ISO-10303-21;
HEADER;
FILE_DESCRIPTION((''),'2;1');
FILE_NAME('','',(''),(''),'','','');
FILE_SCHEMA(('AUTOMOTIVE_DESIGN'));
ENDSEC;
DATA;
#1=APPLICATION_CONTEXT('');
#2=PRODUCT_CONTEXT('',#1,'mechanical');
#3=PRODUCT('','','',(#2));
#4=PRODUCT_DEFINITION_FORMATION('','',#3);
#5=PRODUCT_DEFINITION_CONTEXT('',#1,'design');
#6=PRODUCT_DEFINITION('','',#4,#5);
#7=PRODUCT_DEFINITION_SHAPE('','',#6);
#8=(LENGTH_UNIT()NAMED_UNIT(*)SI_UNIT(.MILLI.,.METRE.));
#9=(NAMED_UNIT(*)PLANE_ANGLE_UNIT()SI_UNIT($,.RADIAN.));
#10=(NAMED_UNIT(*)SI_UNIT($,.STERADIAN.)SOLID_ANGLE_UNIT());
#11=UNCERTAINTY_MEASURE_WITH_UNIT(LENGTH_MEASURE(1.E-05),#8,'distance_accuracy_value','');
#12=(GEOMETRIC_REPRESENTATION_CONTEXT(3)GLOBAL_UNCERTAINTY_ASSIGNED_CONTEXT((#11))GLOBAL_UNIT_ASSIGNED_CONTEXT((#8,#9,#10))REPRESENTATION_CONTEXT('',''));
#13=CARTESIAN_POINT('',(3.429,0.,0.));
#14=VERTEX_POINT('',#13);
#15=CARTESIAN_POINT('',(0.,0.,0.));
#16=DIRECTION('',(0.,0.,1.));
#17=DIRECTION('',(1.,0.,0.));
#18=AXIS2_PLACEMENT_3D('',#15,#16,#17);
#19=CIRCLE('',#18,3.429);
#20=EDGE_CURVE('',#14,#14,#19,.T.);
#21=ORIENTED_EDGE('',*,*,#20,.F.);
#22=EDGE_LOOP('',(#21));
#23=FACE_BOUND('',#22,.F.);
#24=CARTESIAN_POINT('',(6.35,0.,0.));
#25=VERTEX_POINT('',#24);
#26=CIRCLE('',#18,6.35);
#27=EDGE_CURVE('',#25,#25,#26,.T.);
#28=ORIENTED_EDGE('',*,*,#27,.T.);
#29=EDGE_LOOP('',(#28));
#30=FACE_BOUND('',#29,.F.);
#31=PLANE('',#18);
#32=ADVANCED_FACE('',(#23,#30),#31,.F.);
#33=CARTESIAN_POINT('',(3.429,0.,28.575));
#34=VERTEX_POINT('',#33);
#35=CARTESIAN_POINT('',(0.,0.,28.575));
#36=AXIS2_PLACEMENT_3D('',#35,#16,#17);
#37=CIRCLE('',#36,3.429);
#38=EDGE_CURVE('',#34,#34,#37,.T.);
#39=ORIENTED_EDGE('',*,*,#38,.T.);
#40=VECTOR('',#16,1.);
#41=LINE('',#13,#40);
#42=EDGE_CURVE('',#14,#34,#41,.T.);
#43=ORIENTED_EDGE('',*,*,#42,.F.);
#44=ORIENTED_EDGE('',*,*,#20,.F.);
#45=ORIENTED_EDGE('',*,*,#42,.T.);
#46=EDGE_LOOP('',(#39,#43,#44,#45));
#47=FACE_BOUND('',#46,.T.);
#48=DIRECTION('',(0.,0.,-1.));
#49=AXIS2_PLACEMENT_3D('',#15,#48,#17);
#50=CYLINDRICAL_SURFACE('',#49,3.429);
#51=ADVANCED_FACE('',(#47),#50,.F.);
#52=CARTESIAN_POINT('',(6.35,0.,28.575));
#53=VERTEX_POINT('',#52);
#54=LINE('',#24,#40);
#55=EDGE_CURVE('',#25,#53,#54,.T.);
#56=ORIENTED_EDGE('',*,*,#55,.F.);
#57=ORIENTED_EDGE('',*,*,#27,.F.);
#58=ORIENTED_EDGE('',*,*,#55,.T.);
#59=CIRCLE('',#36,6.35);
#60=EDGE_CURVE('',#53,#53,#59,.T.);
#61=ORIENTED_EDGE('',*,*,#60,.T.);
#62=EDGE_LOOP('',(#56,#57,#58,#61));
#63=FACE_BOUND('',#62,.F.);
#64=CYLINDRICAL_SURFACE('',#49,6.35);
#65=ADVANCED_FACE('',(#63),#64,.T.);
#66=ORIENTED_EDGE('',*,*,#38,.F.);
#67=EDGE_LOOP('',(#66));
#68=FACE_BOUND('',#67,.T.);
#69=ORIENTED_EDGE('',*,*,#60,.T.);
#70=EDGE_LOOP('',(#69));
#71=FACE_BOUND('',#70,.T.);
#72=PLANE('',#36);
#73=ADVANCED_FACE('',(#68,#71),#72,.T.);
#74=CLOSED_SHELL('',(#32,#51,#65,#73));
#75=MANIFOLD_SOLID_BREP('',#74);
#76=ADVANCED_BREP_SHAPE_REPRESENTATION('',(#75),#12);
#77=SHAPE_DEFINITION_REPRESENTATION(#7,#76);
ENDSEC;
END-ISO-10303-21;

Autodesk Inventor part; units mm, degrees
ref_plane "YZ Plane" through (0, 0, 0) normal (1, 0, 0) x (0, 1, 0)
ref_plane "XZ Plane" through (0, 0, 0) normal (0, 1, 0) x (-1, 0, 0)
ref_plane "XY Plane" through (0, 0, 0) normal (0, 0, 1) x (1, 0, 0)
sketch "Sketch1" plane through (0, 0, 0) normal (0, 0, 1) x (1, 0, 0)
  circle A0 centre (0, 0) radius 3.429
  circle A1 centre (0, 0) radius 6.35
  dimension "d0" = 6.858
  dimension "d1" = 12.7
extrude "Extrusion1" add sketch "Sketch1" along normal blind 28.575
properties part number "Toughbox Spacers" material "Aluminum-6061"
